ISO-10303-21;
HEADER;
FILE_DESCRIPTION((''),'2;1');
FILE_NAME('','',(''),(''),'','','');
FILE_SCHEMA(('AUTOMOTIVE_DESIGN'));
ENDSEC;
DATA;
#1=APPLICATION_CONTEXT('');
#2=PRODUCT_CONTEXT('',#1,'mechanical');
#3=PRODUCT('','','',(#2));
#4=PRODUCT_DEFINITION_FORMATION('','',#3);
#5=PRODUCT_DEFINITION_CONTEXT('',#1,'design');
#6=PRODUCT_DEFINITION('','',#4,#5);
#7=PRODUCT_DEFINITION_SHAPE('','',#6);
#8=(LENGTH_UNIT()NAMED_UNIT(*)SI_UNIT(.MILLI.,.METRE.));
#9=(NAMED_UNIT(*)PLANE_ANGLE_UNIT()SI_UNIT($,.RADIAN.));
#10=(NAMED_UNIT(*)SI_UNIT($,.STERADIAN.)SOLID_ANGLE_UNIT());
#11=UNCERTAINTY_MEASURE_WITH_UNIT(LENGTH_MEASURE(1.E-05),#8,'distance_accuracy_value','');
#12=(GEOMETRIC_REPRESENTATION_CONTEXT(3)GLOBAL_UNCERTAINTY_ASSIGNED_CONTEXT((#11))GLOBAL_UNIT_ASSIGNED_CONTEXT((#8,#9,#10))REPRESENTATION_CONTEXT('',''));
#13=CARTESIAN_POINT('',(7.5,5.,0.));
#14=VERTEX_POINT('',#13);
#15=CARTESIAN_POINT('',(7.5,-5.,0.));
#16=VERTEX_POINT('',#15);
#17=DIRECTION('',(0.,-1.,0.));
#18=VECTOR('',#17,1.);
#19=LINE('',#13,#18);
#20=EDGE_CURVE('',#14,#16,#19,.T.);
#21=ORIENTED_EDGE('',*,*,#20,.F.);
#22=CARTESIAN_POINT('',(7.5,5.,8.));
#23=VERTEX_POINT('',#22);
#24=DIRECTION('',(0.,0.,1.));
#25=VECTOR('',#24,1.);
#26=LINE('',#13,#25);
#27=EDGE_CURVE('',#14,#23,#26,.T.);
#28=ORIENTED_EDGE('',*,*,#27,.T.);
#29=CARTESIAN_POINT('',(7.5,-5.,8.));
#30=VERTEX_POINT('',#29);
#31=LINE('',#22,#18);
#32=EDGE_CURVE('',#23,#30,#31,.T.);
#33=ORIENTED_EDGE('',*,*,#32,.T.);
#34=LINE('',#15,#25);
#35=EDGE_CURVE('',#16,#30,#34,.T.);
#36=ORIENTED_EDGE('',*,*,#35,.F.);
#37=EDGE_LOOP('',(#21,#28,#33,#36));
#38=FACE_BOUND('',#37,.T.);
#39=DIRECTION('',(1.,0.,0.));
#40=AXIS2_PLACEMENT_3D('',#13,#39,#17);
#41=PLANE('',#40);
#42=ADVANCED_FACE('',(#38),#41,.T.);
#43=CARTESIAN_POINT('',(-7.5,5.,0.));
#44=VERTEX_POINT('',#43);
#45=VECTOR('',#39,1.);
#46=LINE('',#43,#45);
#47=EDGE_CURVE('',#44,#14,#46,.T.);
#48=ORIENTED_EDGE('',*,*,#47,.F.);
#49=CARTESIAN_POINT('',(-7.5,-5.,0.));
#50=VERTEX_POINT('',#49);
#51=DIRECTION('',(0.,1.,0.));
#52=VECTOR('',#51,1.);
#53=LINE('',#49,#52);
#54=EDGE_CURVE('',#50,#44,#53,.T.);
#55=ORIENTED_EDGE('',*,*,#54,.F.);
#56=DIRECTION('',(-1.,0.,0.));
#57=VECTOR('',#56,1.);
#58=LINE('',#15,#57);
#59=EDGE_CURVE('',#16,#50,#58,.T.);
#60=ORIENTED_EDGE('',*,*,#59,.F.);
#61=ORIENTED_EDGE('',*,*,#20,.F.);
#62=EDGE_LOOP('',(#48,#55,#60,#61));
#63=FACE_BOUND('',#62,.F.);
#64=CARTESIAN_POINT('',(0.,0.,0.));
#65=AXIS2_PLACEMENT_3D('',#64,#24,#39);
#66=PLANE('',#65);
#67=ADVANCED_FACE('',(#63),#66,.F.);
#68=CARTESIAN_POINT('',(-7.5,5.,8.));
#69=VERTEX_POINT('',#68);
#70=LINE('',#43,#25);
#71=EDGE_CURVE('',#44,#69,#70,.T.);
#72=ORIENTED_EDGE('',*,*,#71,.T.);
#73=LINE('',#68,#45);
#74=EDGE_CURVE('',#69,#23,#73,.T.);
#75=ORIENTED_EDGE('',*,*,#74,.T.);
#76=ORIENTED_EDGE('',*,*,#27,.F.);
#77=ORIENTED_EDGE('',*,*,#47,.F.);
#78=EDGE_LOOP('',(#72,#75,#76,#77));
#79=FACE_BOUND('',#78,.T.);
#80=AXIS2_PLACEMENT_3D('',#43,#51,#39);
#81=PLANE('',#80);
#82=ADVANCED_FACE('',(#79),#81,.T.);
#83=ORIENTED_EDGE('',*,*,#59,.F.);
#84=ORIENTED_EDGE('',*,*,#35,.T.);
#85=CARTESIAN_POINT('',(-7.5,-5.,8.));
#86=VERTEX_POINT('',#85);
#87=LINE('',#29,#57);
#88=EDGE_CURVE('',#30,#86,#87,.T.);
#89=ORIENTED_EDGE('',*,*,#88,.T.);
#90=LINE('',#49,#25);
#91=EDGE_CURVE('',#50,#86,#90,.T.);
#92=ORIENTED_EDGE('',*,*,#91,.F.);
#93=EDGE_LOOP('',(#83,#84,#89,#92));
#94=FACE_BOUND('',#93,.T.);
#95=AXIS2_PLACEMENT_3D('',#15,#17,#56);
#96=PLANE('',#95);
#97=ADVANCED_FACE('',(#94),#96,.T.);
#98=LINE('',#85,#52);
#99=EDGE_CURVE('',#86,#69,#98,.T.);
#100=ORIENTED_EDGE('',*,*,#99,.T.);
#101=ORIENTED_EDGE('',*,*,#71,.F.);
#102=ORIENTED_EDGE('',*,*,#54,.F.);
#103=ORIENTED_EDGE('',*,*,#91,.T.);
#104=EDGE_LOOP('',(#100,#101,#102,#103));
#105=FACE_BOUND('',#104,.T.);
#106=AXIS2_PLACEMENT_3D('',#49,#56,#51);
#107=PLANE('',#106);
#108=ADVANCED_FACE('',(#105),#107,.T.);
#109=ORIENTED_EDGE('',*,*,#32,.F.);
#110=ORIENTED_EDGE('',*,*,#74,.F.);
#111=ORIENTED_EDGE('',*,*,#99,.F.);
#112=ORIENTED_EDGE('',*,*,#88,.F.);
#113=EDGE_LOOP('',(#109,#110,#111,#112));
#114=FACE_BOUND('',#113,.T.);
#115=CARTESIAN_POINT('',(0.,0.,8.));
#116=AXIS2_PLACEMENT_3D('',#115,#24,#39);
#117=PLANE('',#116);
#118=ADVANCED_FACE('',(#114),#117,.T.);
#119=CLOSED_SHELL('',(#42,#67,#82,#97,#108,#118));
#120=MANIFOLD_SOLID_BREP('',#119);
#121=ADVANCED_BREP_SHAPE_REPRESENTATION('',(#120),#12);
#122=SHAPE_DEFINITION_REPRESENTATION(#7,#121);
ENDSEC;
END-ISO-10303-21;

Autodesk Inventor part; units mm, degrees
ref_plane "YZ Plane" through (0, 0, 0) normal (1, 0, 0) x (0, 1, 0)
ref_plane "XZ Plane" through (0, 0, 0) normal (0, 1, 0) x (-1, 0, 0)
ref_plane "XY Plane" through (0, 0, 0) normal (0, 0, 1) x (1, 0, 0)
sketch "スケッチ1" plane through (0, 0, 0) normal (0, 0, 1) x (1, 0, 0)
  line L0 (-7.5, 5) -> (7.5, 5)
  line L1 (7.5, 5) -> (7.5, -5)
  line L2 (7.5, -5) -> (-7.5, -5)
  line L3 (-7.5, -5) -> (-7.5, 5)
  line L4 (-7.5, 5) -> (7.5, -5) construction
  line L5 (7.5, 5) -> (-7.5, -5) construction
  point P0 (0, 0)
  dimension "d0" = 15
  dimension "d1" = 10
extrude "押し出し1" add sketch "スケッチ1" along normal blind 8
properties part number "nitrile_rubber" material "ゴム、ニトリル"
